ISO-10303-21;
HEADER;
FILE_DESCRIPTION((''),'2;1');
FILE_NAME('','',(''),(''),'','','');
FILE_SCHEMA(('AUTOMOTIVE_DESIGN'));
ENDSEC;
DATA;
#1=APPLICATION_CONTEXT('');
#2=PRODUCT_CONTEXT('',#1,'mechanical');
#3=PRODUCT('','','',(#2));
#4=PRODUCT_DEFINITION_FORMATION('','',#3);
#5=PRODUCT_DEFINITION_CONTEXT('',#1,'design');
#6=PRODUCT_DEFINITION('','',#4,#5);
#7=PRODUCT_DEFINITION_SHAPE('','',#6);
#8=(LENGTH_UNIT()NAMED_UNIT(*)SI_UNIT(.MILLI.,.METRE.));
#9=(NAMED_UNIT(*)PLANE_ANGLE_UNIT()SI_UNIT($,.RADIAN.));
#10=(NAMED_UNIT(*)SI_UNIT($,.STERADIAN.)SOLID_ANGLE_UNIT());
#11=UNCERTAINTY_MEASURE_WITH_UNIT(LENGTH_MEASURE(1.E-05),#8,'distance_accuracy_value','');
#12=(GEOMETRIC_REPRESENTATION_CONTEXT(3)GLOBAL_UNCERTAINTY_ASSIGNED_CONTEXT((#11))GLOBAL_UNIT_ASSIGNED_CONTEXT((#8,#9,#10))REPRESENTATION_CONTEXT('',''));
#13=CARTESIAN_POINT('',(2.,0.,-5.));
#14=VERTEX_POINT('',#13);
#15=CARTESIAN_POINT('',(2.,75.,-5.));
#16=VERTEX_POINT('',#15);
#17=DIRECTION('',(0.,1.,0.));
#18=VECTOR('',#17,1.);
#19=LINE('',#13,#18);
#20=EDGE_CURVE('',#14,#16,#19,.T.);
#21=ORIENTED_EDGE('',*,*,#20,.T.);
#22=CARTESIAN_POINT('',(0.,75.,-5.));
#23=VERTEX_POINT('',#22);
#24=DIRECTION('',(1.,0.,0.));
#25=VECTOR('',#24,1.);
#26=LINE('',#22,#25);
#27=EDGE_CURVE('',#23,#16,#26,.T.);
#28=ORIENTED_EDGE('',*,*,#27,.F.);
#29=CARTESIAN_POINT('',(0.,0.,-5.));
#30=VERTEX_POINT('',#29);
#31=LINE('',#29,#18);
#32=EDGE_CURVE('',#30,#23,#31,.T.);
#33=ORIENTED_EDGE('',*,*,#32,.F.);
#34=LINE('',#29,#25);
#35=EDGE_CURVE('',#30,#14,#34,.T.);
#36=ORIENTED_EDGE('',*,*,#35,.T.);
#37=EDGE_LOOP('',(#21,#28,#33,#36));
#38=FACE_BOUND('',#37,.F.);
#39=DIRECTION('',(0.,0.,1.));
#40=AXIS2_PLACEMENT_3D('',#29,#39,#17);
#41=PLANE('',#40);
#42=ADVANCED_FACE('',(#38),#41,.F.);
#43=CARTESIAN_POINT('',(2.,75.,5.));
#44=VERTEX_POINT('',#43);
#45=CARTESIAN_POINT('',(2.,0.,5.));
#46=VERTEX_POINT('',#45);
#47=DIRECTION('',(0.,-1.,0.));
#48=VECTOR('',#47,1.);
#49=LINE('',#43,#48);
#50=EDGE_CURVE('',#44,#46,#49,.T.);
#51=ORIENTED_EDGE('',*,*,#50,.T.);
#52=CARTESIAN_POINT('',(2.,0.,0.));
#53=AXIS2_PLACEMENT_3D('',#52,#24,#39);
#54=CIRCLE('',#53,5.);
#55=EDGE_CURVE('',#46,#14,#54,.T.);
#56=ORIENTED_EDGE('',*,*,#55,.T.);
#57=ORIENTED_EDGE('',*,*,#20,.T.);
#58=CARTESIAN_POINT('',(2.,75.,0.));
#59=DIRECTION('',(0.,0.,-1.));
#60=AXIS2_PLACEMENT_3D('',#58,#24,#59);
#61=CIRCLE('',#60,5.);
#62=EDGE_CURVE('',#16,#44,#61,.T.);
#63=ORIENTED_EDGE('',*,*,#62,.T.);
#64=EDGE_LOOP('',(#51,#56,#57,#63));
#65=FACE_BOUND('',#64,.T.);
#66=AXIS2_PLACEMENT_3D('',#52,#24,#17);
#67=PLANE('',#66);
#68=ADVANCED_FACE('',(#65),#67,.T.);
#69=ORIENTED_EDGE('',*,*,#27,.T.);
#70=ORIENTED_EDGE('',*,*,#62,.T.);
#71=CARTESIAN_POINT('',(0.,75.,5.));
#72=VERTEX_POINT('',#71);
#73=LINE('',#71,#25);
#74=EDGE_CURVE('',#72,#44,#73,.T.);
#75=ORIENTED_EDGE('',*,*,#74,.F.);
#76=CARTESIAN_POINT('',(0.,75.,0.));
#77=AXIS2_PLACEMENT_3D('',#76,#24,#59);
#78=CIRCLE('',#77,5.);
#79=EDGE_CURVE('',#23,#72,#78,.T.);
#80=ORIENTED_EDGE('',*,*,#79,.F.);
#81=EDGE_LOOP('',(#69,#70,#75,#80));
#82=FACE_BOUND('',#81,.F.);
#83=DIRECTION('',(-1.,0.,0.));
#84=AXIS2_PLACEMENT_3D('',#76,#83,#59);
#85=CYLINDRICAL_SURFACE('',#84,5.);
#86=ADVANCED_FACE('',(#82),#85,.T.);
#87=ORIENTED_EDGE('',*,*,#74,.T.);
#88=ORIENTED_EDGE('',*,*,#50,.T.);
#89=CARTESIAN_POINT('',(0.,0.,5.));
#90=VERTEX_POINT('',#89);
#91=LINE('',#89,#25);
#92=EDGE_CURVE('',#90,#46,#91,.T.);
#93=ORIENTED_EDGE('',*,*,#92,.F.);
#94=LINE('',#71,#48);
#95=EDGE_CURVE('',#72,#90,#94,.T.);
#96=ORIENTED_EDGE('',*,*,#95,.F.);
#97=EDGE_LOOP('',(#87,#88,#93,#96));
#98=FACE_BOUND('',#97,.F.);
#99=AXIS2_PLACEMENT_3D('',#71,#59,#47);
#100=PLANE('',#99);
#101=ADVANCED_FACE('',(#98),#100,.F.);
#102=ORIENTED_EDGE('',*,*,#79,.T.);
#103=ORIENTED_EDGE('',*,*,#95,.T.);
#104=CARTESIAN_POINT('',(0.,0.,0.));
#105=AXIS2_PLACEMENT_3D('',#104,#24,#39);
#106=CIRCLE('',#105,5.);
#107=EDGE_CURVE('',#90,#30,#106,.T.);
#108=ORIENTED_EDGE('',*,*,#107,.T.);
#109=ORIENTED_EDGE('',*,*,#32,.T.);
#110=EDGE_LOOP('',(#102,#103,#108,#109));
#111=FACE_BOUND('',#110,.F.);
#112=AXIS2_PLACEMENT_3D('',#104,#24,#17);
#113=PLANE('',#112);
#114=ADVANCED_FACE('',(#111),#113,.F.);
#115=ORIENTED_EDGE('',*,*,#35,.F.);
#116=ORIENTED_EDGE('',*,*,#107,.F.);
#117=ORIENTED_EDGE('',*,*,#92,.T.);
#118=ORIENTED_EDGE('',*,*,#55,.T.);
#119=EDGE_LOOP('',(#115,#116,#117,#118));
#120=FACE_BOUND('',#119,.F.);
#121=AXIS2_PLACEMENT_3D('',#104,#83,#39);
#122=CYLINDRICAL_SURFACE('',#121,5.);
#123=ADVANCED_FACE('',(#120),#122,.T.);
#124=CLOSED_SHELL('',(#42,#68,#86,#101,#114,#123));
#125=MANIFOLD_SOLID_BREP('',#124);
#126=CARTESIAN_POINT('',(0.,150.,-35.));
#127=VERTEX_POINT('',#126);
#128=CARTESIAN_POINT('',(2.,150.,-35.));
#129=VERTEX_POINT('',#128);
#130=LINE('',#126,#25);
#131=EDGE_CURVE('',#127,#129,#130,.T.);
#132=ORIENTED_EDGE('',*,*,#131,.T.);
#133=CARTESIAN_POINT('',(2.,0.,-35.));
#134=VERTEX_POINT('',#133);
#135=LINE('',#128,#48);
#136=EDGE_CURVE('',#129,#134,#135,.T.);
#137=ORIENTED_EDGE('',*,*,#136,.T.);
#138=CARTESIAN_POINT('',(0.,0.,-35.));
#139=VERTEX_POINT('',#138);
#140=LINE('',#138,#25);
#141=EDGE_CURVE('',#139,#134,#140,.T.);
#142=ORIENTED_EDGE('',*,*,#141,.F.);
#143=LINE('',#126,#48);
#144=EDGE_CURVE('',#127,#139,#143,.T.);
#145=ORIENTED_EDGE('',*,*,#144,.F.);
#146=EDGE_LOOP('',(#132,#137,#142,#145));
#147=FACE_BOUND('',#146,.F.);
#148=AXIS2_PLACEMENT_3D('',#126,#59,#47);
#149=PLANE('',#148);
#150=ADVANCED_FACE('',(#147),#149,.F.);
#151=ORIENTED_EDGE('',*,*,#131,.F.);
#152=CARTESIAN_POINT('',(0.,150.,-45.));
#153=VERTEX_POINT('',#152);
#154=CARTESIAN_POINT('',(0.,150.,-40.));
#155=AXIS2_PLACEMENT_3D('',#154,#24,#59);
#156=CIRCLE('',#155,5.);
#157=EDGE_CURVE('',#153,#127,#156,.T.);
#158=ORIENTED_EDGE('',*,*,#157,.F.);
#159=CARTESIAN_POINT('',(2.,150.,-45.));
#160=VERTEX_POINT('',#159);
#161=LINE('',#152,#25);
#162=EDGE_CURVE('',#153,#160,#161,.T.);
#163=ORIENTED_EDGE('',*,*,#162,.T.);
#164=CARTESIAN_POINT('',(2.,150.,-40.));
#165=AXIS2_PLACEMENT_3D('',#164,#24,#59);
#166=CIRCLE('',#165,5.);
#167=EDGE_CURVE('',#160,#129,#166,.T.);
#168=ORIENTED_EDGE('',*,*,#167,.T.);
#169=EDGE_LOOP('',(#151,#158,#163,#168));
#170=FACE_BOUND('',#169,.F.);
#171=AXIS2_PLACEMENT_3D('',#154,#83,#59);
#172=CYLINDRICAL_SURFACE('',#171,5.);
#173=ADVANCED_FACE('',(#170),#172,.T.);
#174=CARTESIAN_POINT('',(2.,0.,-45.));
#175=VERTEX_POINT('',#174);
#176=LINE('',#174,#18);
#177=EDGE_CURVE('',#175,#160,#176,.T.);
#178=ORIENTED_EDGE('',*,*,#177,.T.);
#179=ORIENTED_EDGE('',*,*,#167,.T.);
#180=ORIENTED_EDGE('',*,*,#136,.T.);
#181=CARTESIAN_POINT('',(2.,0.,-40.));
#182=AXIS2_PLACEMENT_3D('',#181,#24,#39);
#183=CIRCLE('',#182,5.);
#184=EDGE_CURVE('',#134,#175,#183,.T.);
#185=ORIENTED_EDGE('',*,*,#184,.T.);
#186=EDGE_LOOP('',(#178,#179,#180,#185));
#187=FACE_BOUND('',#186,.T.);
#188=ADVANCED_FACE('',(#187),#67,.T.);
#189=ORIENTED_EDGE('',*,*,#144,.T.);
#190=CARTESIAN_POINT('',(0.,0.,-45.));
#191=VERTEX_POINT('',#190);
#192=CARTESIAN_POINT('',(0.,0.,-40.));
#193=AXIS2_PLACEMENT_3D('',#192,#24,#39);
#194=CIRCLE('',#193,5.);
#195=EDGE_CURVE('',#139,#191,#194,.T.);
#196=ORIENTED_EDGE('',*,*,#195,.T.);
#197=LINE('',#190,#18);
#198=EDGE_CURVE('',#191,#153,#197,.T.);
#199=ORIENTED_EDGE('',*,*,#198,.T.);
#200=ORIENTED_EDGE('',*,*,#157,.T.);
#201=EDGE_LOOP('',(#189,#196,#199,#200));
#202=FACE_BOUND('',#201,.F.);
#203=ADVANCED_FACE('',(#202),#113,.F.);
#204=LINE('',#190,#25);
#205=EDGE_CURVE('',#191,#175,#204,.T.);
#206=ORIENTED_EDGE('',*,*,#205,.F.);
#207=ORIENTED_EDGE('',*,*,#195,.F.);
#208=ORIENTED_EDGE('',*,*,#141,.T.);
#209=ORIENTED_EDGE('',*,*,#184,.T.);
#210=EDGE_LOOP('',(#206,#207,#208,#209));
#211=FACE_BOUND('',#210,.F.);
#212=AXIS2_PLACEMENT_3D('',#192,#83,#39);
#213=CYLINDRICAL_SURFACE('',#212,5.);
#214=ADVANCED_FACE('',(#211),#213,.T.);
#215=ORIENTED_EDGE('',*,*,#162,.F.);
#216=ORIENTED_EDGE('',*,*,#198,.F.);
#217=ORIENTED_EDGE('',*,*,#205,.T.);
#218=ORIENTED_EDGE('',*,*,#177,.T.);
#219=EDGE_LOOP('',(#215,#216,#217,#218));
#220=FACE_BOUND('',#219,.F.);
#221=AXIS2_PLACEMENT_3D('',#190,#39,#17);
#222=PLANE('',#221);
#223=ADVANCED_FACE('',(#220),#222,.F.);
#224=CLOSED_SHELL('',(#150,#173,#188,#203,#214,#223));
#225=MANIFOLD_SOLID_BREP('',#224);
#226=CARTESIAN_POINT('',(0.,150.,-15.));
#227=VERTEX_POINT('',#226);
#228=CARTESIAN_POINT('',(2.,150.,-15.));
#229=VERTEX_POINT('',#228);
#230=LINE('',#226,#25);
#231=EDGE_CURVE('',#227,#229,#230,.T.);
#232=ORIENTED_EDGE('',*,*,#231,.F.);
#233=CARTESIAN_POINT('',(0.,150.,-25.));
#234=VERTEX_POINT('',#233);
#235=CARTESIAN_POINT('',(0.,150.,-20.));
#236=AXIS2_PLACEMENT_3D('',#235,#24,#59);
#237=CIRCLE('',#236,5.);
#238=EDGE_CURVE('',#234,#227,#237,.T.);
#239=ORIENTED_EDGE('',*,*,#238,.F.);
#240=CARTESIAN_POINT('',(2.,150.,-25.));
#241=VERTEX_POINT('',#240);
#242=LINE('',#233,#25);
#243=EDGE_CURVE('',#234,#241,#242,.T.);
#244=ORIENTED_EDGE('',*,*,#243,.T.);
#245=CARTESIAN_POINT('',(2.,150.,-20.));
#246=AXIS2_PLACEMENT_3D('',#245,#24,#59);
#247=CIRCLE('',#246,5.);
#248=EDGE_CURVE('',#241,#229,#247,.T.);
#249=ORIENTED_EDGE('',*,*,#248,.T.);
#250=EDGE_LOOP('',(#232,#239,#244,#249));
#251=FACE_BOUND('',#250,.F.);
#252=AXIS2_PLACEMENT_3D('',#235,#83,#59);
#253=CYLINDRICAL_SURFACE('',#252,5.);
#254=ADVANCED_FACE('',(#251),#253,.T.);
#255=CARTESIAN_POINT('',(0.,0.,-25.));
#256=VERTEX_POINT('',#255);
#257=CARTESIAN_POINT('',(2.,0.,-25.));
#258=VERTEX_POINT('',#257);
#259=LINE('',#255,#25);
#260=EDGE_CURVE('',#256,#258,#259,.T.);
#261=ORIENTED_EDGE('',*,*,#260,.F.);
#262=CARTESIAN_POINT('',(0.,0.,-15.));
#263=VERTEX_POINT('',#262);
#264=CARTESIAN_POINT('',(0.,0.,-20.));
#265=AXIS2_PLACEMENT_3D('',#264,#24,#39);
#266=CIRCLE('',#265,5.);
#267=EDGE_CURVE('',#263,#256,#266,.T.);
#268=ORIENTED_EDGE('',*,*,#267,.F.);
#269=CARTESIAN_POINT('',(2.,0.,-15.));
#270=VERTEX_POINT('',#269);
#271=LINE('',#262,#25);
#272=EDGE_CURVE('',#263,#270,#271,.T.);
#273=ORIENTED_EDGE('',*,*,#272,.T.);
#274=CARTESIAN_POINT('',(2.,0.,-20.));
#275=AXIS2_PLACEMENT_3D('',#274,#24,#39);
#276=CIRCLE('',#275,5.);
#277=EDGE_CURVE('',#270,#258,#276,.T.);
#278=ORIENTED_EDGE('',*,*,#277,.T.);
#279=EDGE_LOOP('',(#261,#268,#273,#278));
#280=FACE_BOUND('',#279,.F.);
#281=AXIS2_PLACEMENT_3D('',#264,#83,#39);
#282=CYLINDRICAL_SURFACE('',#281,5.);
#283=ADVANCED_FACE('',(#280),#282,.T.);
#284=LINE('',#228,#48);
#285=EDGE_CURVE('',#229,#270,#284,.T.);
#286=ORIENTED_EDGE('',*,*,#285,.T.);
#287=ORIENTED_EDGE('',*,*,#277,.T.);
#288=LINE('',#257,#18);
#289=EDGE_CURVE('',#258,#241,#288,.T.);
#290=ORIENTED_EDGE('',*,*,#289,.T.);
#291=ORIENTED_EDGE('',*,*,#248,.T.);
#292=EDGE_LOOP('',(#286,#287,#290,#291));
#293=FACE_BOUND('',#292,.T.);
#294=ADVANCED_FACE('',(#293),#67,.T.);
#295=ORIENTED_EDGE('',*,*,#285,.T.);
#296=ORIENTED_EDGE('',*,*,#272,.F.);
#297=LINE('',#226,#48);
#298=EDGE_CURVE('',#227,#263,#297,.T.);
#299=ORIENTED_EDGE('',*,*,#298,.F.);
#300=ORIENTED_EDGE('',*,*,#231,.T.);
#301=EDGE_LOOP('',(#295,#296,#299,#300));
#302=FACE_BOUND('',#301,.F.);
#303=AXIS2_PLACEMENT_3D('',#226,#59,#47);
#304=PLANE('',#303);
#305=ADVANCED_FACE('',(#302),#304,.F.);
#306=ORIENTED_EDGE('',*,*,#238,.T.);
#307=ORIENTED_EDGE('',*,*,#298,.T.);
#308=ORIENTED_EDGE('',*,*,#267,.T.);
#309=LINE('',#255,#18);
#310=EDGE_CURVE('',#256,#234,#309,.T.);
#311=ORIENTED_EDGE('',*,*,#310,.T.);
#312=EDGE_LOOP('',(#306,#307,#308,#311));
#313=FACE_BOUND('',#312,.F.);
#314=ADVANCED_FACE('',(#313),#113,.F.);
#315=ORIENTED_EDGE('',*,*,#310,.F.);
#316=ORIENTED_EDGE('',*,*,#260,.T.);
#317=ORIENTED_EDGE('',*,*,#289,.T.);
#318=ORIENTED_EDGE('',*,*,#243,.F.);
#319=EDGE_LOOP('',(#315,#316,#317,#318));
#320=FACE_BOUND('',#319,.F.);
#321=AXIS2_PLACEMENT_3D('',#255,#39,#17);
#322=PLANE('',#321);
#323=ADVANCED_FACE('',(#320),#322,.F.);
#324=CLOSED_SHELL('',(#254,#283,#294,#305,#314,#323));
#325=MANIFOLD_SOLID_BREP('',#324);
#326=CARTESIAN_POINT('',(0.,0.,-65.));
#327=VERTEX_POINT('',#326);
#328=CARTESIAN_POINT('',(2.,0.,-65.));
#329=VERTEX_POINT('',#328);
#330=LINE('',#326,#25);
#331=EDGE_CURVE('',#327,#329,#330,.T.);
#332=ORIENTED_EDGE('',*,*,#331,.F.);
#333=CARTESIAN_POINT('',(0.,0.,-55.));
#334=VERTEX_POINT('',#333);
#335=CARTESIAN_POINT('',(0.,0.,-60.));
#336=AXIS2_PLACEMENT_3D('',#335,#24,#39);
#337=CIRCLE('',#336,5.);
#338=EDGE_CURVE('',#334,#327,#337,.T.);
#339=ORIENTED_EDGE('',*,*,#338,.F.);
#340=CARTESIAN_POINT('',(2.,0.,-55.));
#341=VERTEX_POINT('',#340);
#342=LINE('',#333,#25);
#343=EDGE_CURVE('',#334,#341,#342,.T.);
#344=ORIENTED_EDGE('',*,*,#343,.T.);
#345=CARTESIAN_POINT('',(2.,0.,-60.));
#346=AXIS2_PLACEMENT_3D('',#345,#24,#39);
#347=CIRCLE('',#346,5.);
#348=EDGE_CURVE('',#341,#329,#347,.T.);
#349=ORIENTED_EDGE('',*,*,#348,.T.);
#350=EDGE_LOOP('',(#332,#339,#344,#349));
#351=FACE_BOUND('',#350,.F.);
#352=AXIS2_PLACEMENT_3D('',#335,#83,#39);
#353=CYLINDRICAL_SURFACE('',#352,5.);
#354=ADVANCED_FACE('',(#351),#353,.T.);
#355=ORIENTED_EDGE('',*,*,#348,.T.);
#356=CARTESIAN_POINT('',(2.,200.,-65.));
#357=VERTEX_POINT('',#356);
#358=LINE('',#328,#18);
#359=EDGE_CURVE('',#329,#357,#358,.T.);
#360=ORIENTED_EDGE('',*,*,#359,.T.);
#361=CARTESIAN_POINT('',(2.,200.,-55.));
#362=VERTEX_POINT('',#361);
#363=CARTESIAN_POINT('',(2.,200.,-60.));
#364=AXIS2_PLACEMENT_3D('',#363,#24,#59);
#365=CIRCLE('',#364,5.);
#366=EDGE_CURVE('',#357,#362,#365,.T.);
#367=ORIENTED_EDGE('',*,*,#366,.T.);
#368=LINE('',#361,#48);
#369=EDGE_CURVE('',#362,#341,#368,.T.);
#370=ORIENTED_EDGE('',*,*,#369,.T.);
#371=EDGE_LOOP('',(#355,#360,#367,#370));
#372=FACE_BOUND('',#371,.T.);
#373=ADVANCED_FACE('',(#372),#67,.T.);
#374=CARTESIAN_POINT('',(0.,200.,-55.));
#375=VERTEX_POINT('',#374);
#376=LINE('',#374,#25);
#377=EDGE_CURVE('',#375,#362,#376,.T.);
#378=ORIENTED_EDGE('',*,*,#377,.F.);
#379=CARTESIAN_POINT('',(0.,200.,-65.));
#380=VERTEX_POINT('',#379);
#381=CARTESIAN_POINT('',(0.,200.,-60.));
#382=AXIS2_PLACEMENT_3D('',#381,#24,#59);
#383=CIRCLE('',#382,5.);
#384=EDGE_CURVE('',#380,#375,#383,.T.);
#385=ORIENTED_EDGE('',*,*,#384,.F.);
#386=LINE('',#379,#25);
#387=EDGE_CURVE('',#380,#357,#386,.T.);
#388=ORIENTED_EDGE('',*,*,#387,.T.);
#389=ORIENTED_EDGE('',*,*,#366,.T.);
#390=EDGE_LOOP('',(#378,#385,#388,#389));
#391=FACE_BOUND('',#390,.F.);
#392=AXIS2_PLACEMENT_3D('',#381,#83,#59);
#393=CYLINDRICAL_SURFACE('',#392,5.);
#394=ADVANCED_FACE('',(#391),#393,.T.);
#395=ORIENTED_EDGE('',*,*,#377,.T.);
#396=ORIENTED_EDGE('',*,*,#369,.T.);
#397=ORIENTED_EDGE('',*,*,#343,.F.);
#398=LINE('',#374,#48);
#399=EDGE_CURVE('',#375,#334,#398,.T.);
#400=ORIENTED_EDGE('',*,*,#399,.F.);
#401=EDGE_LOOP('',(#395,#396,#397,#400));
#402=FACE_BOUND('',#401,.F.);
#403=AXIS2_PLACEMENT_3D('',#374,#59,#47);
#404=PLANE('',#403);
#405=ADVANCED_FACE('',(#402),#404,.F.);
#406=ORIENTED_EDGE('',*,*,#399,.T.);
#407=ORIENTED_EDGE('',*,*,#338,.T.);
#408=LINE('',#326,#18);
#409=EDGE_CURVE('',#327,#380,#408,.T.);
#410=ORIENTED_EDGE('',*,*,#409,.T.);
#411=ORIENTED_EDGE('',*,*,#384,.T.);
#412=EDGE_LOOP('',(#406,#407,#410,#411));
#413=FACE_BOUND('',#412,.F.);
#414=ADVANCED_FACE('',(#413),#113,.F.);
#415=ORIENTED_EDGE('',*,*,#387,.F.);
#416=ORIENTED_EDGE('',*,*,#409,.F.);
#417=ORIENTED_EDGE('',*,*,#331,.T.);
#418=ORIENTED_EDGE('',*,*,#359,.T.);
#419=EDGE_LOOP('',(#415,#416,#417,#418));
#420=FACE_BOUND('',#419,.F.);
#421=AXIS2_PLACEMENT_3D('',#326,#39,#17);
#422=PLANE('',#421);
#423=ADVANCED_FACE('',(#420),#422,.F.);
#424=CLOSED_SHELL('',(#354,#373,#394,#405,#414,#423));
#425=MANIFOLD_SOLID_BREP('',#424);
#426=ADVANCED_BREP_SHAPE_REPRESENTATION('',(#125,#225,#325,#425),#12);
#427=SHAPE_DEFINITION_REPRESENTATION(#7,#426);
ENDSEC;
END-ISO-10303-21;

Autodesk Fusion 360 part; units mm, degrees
sketch "Sketch1" plane through (0, 0, 0) normal (1, 0, 0) x (0, 1, 0)
  line L0 (0, -5) -> (75, -5)
  arc A0 (75, -5) -> (75, 5) centre (75, 0) ccw
  line L1 (75, 5) -> (0, 5)
  arc A1 (0, 5) -> (0, -5) centre (0, 0) ccw
  line L2 (0, 0) -> (75, 0) construction
  line L3 (0, -25) -> (150, -25)
  arc A2 (150, -25) -> (150, -15) centre (150, -20) ccw
  line L4 (150, -15) -> (0, -15)
  arc A3 (0, -15) -> (0, -25) centre (0, -20) ccw
  line L5 (0, -20) -> (150, -20) construction
  line L6 (0, -45) -> (150, -45)
  arc A4 (150, -45) -> (150, -35) centre (150, -40) ccw
  line L7 (150, -35) -> (0, -35)
  arc A5 (0, -35) -> (0, -45) centre (0, -40) ccw
  line L8 (0, -40) -> (150, -40) construction
  line L9 (0, -65) -> (200, -65)
  arc A6 (200, -65) -> (200, -55) centre (200, -60) ccw
  line L10 (200, -55) -> (0, -55)
  arc A7 (0, -55) -> (0, -65) centre (0, -60) ccw
  line L11 (0, -60) -> (200, -60) construction
extrude "Extrude1" add sketch "Sketch1" along normal blind 2 makes body 1 at (0, 50, -21.6667) makes body 2 at (0, 50, -41.6667) makes body 3 at (0, 50, -1.6667) makes body 4 at (0, 133.3333, -61.6667) in component "Component"
copy_body "Body->Comp1" bodies 1 removing the originals makes body 5 in component "Component'"
copy_body "Body->Comp2" bodies 2 removing the originals makes body 6 in component "Component''"
copy_body "Body->Comp3" bodies 3 removing the originals makes body 7 in component "Component'''"
copy_body "Body->Comp4" bodies 4 removing the originals makes body 8 in component "Component''''"
component "Component" placed x (1, 0, 0) y (0, 1, 0) z (0, 0, 1) at (0, 0, 0)
component "Component''" placed x (1, 0, 0) y (0, 1, 0) z (0, 0, 1) at (0, 0, 0) in component "Component"
component "Component'''" placed x (1, 0, 0) y (0, 1, 0) z (0, 0, 1) at (0, 0, 0) in component "Component"
component "Component''''" placed x (1, 0, 0) y (0, 1, 0) z (0, 0, 1) at (0, 0, 0) in component "Component"
component "Component'" placed x (1, 0, 0) y (0, 1, 0) z (0, 0, 1) at (0, 0, 0) in component "Component"
